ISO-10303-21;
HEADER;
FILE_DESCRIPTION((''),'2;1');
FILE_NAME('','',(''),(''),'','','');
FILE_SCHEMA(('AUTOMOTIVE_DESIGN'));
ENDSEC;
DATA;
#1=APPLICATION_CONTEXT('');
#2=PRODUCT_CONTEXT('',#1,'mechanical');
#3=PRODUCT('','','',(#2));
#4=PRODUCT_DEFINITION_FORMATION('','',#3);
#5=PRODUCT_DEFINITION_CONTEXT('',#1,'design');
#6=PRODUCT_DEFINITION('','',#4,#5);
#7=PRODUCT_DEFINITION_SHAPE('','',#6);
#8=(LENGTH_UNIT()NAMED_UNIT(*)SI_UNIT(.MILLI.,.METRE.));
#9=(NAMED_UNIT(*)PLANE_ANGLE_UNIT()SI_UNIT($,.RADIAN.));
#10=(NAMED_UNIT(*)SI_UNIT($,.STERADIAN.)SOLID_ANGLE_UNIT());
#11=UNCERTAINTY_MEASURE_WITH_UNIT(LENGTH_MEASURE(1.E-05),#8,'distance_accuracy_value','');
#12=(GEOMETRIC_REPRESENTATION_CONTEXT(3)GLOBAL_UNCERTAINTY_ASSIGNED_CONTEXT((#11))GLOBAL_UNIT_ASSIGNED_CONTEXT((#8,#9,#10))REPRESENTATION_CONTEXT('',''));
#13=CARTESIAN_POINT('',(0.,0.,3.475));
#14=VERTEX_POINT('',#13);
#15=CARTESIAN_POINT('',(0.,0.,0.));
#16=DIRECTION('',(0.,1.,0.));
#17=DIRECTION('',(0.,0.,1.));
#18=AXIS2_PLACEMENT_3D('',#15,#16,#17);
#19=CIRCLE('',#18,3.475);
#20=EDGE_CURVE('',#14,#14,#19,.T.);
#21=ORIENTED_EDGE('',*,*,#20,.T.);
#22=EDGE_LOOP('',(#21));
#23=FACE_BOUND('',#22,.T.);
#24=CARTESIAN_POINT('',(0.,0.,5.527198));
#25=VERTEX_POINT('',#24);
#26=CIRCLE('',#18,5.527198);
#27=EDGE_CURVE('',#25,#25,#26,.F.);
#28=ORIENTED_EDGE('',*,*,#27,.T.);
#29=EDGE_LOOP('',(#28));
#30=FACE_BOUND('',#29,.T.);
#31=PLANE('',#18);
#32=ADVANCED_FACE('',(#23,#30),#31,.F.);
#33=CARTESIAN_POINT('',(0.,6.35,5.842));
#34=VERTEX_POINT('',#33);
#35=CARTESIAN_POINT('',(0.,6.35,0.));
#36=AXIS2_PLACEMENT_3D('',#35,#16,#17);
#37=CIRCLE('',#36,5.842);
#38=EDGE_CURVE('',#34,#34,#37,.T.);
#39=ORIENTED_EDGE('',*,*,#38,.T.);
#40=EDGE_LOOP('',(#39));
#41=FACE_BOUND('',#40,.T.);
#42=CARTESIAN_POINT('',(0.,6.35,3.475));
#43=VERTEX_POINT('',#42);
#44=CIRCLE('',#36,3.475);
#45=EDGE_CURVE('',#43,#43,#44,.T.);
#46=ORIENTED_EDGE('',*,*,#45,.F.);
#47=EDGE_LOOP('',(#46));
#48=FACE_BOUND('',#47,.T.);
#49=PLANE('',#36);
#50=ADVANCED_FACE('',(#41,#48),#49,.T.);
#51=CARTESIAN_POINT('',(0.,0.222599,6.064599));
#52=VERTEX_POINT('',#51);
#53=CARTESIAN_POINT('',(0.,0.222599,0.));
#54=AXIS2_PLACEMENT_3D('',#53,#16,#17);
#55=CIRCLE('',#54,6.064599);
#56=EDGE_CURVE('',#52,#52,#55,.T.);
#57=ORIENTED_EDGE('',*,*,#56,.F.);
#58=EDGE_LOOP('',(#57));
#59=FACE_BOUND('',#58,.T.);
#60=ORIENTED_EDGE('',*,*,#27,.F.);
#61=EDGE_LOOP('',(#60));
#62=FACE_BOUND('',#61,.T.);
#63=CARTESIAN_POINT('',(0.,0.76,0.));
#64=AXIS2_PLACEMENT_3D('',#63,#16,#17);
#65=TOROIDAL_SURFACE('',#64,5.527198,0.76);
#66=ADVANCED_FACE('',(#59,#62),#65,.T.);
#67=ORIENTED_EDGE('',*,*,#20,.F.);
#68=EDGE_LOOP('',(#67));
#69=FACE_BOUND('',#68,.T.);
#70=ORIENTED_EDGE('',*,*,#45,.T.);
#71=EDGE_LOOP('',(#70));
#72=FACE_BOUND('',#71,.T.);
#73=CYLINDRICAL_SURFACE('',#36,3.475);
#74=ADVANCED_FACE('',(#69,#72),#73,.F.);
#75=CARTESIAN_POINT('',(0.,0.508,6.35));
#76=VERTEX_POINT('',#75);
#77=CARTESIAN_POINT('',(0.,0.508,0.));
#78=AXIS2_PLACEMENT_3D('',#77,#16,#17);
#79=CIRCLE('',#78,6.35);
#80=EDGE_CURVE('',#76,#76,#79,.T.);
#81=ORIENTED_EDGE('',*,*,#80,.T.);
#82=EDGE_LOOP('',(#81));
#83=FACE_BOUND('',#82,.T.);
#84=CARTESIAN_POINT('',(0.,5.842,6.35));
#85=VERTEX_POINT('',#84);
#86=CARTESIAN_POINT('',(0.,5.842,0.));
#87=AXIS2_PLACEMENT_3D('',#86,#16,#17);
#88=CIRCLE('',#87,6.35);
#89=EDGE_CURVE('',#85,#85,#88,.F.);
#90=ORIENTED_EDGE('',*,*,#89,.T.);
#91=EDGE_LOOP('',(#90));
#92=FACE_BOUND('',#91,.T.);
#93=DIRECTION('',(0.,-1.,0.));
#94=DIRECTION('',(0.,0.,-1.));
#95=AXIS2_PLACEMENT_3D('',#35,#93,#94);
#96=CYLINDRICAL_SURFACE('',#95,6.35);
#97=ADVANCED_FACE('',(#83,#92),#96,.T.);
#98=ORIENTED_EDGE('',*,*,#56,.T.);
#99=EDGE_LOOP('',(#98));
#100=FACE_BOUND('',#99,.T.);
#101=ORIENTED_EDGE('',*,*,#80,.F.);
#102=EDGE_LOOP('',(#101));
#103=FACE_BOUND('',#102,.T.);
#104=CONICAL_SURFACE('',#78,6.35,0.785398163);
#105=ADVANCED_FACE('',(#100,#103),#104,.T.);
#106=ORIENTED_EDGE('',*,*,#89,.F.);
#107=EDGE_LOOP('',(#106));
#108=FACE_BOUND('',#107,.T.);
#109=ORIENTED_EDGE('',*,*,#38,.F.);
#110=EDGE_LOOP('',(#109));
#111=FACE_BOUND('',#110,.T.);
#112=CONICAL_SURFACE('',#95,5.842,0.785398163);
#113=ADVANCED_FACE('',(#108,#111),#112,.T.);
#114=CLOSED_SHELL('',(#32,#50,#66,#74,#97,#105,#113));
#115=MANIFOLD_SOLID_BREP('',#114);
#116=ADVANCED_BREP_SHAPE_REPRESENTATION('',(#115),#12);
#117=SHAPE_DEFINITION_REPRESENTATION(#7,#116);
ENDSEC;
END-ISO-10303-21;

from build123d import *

# Parameters (mm, degrees)
SKETCH1_R                   = 6.35
BOSS_EXTRUDE1_DEPTH         = 6.35
F_1_4_0_25_DIAMETER_HOLE1_D = 6.95000007
CHAMFER1_SIZE               = 0.508
FILLET1_R                   = 0.76


with BuildPart() as part:
    # Sketch1 → Boss-Extrude1 (new body)
    with BuildSketch(Plane(origin=(0, 0, 0), x_dir=(1, 0, 0), z_dir=(0, 1, 0))):
        Circle(SKETCH1_R)
    extrude(amount=BOSS_EXTRUDE1_DEPTH)

    # 1/4 (0.25) Diameter Hole1 (through all)
    with Locations(Plane(origin=(0, 6.35, 0), x_dir=(1, 0, 0), z_dir=(0, 1, 0))):
        with Locations((0, 0)):
            Hole(F_1_4_0_25_DIAMETER_HOLE1_D / 2)

    # Chamfer1
    chamfer1_edges = [part.edges().sort_by_distance(p)[0] for p in [
        (-6.35, 0, 0),
        (-6.35, 6.35, 0),
    ]]
    chamfer(chamfer1_edges, length=CHAMFER1_SIZE)

    # Fillet1
    fillet1_edges = [part.edges().sort_by_distance(p)[0] for p in [
        (-5.842, 0, 0),
    ]]
    fillet(fillet1_edges, radius=FILLET1_R)


solid = part.part
